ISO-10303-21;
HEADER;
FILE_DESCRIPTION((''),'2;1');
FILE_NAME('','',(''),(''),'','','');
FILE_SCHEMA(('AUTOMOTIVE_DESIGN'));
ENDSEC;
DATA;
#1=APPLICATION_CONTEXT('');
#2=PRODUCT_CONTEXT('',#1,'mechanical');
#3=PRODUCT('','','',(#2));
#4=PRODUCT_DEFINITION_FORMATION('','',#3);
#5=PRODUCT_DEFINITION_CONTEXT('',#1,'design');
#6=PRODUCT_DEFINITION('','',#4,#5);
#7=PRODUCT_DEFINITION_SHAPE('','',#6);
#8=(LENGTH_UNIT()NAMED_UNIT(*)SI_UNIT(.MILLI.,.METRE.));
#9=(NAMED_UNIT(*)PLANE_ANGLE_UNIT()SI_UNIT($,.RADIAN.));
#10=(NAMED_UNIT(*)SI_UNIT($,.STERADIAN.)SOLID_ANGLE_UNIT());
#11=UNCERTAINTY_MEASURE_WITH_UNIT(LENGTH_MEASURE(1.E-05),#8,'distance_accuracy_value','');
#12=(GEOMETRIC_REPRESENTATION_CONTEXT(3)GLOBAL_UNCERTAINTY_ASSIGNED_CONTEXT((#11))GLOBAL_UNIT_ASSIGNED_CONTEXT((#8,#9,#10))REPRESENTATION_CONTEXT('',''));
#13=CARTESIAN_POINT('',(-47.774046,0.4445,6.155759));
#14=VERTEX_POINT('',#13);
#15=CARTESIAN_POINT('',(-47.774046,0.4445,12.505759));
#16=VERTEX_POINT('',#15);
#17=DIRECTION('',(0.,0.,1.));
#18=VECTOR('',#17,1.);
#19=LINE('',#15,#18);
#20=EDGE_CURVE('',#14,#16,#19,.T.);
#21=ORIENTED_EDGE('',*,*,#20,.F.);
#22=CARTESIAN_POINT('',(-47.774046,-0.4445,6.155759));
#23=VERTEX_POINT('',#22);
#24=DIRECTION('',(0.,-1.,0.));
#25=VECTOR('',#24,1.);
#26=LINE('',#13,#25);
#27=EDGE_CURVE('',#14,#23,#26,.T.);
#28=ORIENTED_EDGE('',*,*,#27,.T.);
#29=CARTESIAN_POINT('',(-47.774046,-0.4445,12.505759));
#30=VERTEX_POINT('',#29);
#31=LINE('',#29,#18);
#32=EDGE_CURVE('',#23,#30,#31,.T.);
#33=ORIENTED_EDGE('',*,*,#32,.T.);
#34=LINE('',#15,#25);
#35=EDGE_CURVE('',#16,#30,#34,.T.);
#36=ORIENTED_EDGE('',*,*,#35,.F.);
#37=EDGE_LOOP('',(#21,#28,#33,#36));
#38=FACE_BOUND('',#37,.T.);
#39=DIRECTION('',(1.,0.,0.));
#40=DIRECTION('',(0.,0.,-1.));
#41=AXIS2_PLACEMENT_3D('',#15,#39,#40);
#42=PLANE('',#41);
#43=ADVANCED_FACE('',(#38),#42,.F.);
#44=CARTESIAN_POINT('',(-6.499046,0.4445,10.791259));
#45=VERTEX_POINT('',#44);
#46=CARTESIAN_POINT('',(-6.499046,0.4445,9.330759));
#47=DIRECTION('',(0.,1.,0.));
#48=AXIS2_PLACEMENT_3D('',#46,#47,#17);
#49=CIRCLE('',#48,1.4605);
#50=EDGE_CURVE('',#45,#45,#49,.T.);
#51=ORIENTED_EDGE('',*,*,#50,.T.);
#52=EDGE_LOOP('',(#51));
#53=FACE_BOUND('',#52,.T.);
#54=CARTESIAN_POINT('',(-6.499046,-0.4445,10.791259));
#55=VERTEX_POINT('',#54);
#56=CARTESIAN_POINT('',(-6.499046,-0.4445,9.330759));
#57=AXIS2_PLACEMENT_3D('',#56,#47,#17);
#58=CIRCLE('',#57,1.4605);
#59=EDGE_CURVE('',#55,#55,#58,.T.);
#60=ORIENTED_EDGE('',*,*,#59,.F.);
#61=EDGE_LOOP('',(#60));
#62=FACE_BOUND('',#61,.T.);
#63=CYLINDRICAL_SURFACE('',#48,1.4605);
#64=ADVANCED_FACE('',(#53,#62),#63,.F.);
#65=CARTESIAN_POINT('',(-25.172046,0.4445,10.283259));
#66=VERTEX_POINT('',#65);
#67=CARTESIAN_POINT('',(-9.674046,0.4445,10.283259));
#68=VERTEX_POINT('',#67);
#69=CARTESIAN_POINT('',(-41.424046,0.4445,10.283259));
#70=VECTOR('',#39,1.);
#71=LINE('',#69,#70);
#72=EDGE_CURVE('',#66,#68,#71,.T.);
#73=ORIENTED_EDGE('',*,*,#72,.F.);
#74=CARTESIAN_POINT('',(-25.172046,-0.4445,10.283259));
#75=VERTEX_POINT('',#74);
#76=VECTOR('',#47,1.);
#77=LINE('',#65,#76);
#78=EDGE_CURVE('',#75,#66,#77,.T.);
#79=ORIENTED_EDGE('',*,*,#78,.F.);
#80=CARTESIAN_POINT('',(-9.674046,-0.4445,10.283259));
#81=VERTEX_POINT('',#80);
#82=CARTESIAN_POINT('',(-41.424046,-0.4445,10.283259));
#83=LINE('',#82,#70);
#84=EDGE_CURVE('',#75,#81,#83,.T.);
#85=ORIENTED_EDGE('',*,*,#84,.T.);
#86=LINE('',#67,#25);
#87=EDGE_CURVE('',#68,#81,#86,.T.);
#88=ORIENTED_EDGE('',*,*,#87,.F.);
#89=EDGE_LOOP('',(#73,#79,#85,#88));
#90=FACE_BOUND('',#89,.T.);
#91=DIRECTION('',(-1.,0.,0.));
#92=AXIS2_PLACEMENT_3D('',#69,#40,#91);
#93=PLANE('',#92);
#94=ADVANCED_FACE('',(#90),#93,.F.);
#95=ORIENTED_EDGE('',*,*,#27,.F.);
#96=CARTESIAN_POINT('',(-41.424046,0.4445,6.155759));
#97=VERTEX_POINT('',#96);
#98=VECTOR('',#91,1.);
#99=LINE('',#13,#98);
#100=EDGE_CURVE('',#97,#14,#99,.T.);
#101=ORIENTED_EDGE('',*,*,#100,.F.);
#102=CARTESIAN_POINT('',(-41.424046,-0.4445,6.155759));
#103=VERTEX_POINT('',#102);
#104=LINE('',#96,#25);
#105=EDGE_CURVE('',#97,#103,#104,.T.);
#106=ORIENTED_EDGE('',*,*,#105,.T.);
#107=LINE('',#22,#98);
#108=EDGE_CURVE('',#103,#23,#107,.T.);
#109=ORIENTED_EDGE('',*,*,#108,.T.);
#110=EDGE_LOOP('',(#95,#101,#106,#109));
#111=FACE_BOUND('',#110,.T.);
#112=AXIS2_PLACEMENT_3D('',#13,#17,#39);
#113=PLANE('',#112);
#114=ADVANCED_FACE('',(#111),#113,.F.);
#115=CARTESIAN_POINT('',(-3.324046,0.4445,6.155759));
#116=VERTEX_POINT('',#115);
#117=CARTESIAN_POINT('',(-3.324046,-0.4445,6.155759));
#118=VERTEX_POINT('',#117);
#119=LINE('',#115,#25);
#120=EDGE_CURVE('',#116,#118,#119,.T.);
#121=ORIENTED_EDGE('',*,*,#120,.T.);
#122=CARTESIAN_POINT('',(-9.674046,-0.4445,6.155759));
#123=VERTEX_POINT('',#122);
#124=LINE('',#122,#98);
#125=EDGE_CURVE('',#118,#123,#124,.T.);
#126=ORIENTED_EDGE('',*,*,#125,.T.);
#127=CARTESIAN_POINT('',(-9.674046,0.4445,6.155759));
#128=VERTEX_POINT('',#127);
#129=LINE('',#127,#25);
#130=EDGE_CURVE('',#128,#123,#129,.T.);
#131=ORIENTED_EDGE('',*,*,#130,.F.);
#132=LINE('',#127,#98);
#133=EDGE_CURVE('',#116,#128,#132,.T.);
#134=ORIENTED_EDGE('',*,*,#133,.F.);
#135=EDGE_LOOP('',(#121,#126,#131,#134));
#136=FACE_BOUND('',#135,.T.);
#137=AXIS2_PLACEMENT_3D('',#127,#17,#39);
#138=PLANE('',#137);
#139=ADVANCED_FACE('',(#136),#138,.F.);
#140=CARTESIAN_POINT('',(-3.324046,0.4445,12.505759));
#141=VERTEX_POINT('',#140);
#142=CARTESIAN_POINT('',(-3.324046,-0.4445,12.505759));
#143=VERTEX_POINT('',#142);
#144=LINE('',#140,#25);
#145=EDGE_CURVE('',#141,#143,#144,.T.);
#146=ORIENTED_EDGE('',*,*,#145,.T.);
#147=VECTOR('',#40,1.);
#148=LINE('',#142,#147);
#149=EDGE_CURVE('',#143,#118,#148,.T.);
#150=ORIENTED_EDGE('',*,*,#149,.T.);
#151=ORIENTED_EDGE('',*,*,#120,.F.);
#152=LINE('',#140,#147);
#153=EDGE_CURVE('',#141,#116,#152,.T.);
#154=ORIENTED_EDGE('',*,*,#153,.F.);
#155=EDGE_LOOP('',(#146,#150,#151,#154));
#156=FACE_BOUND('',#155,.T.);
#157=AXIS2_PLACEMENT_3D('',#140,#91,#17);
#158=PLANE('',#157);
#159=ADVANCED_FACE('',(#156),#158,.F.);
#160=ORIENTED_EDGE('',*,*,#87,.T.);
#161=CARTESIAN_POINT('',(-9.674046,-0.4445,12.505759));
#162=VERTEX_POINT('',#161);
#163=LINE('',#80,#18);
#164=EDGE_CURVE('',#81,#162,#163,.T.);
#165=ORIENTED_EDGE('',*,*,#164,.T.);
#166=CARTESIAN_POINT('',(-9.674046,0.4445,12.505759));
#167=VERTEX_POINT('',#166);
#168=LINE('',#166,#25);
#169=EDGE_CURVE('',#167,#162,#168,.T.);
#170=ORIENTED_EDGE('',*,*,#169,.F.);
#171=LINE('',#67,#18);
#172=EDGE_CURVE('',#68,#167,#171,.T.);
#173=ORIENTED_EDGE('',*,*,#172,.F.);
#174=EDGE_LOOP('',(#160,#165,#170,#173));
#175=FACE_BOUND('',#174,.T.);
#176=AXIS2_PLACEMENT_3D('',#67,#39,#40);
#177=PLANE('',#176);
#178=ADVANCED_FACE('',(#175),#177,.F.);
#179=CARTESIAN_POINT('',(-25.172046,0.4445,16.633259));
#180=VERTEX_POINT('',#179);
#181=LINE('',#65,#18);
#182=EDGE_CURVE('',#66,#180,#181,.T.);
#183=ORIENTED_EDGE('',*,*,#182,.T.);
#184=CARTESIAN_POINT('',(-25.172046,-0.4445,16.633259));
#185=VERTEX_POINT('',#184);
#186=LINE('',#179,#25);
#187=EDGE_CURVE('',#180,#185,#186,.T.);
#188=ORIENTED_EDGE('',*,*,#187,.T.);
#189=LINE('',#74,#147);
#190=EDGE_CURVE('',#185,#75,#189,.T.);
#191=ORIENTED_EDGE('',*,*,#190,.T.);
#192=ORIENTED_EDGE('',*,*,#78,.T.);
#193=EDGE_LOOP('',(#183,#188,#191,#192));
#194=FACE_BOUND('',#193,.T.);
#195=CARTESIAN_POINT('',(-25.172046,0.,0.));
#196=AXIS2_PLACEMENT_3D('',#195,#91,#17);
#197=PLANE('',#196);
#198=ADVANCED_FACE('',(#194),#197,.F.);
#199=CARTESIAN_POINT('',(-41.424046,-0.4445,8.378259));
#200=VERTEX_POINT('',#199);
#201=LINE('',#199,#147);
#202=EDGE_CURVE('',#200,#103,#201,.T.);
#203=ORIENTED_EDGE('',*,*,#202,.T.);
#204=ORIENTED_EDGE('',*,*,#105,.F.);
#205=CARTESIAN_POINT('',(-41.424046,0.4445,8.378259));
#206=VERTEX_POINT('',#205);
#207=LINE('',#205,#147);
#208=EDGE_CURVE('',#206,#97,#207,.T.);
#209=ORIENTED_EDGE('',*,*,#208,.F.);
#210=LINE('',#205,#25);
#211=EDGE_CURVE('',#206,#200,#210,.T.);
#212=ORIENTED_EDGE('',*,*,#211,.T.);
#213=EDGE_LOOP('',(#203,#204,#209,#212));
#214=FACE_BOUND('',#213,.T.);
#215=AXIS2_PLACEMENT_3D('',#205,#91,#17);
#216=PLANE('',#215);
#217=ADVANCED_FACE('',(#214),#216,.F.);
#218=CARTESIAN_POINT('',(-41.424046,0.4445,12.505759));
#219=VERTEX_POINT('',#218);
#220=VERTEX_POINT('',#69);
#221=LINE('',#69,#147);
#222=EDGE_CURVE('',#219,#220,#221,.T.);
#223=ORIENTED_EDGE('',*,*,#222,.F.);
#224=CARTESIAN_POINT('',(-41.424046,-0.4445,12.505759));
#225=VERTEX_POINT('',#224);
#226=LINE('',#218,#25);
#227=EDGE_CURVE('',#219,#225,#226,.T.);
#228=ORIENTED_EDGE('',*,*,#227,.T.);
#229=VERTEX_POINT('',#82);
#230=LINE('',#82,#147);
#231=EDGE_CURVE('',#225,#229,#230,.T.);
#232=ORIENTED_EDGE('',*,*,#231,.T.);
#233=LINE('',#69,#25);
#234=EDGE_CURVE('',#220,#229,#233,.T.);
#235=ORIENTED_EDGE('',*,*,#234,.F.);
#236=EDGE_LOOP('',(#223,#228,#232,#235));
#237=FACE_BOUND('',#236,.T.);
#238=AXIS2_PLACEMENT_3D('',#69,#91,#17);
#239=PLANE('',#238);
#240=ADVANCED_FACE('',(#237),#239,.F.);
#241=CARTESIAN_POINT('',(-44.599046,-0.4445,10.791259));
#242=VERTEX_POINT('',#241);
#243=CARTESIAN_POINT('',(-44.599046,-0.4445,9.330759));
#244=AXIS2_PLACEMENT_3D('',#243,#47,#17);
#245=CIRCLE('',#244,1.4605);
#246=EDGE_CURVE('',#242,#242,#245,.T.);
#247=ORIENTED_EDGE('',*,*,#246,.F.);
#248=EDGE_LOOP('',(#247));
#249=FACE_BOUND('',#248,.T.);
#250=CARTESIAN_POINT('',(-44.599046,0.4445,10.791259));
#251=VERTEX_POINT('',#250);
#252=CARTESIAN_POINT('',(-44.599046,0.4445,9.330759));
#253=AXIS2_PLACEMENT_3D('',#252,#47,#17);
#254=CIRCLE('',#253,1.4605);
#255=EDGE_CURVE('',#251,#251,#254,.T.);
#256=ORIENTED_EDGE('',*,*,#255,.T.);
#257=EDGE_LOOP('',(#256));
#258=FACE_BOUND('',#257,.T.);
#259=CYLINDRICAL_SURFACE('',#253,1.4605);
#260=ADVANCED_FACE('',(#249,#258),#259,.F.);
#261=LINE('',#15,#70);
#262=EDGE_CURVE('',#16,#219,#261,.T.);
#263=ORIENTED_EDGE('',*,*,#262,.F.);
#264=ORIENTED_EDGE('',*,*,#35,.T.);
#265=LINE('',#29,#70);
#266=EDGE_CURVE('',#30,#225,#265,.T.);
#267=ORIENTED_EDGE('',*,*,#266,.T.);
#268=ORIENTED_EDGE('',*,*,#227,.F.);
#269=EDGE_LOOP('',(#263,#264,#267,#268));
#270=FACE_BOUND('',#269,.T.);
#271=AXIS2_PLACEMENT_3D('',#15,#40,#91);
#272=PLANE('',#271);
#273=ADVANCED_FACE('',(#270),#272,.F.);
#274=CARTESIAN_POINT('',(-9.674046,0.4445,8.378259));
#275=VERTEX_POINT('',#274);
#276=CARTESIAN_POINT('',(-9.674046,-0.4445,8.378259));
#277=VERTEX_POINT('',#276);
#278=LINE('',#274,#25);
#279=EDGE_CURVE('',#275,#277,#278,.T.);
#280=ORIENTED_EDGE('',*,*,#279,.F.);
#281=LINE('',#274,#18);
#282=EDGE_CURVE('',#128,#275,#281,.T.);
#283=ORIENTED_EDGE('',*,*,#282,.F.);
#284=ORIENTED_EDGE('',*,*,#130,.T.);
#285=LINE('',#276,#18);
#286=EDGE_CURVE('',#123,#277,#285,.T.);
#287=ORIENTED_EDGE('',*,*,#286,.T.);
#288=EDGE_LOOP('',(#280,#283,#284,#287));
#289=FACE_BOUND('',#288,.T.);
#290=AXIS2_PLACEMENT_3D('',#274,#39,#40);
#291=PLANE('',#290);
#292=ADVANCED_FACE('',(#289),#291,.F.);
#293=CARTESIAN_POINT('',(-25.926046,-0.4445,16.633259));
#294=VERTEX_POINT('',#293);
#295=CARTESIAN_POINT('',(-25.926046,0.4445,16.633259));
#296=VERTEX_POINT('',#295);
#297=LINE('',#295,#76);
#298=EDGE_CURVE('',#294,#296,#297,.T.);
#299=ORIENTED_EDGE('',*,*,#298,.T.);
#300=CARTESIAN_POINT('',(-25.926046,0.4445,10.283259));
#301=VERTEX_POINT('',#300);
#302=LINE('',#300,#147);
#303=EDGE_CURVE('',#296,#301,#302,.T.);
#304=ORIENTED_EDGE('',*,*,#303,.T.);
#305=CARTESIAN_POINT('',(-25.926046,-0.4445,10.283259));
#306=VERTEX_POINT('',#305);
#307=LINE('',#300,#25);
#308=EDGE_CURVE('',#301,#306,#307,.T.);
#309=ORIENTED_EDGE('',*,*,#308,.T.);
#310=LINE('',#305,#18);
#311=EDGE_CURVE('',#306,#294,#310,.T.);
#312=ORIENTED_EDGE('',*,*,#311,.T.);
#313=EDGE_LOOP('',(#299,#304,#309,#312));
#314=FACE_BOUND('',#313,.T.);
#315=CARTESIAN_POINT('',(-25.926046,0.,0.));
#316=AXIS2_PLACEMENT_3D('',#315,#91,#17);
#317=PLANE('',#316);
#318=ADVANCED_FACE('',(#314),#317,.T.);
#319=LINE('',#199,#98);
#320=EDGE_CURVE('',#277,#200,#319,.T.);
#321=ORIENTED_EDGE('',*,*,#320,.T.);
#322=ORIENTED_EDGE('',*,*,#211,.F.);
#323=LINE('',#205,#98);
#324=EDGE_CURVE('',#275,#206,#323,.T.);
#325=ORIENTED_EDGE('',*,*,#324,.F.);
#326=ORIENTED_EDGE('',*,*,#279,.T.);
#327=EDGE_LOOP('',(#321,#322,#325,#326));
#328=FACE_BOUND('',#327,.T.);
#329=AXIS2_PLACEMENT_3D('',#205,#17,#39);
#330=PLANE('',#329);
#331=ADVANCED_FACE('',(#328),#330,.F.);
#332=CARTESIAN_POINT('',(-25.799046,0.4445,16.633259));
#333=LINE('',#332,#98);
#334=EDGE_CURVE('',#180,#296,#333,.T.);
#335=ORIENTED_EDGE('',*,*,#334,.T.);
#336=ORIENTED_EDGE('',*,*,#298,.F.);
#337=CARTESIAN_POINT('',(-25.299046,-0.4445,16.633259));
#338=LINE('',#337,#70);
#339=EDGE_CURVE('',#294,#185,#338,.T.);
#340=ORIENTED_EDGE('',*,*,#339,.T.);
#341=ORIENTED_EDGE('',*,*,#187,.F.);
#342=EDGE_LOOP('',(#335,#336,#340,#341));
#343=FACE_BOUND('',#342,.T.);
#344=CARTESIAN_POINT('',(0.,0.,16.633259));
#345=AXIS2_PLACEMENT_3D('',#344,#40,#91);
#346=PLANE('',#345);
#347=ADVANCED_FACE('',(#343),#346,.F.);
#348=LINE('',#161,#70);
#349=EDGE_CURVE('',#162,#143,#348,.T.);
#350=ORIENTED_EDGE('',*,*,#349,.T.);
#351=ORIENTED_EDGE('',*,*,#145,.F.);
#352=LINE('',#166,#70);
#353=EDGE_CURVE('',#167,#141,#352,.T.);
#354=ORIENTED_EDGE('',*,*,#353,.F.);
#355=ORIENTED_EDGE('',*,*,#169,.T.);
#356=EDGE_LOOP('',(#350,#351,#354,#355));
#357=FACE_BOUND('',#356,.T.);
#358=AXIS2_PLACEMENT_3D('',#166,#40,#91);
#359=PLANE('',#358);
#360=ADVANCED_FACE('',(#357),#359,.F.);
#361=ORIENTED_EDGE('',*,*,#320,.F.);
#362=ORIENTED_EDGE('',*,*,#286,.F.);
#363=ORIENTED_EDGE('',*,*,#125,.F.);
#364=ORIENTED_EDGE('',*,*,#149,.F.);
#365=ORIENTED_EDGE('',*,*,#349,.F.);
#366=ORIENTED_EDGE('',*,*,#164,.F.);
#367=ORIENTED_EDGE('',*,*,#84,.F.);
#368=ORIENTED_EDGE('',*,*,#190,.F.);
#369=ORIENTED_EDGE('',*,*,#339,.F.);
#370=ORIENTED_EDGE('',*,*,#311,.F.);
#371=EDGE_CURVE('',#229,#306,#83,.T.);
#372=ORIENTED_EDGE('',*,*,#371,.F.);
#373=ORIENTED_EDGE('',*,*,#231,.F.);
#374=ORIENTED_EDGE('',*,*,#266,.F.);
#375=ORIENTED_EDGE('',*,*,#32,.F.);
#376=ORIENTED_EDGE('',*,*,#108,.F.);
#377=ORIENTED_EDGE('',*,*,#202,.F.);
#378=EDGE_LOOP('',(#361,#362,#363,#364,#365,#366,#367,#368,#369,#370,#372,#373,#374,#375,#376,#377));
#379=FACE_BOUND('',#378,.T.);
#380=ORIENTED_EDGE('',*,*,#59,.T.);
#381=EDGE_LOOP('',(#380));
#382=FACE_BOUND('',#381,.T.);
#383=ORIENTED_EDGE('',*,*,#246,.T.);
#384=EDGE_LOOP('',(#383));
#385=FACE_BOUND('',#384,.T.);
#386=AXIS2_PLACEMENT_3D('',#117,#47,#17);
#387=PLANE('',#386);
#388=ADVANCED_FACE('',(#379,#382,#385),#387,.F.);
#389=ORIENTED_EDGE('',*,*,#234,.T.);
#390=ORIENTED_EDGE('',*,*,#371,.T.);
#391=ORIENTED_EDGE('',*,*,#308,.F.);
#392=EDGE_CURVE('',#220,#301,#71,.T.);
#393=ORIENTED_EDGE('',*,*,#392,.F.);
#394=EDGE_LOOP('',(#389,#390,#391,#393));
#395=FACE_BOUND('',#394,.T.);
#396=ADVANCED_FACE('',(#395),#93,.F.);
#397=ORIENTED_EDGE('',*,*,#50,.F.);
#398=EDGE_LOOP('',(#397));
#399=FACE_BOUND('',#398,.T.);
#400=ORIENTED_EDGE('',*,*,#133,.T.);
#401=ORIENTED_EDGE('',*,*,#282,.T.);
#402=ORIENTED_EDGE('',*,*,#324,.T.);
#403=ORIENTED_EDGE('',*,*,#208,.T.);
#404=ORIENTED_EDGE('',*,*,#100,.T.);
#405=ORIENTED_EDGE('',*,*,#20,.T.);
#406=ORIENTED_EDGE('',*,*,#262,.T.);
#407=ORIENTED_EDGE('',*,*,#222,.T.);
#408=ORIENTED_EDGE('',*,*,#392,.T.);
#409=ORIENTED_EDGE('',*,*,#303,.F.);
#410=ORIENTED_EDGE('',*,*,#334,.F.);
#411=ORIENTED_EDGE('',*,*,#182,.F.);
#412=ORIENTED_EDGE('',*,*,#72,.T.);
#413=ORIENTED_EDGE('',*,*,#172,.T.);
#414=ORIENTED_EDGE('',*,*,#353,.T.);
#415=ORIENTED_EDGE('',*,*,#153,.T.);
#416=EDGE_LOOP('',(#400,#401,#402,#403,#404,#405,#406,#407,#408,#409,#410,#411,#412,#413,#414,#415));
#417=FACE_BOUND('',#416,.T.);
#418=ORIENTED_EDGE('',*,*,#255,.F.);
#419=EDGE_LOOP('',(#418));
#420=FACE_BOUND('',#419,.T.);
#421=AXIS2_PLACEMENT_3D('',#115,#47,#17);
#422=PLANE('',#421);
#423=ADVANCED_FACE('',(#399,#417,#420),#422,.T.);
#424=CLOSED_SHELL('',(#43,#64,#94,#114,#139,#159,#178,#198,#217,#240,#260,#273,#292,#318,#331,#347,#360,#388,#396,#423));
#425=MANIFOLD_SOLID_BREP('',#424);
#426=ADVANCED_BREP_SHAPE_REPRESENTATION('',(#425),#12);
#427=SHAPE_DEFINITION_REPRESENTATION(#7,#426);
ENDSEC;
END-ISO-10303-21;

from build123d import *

# Parameters (mm, degrees)
BOSS_EXTRUDE1_DEPTH          = 0.4445
F_97_0_0059_DIAMETER_HOLE1_D = 2.921
SKETCH7_W                    = 0.500000016
SKETCH7_H                    = 0.889
BOSS_EXTRUDE2_DEPTH          = 6.35
SKETCH11_W                   = 6.35
SKETCH11_H                   = 0.889
BOSS_EXTRUDE3_DEPTH          = 0.127
SKETCH12_W                   = 6.35
SKETCH12_H                   = 0.889
BOSS_EXTRUDE4_DEPTH          = 0.127


with BuildPart() as part:
    # Sketch1 → Boss-Extrude1 (new, symmetric)
    with BuildSketch(Plane(origin=(0, 0, 0), x_dir=(1, 0, 0), z_dir=(0, 1, 0))):
        Polygon((-41.424046485, -10.283259465), (-41.424046485, -12.505759465), (-47.774046485, -12.505759465), (-47.774046485, -6.155759465), (-41.424046485, -6.155759465), (-41.424046485, -8.378259465), (-9.674046485, -8.378259465), (-9.674046485, -6.155759465), (-3.324046485, -6.155759465), (-3.324046485, -12.505759465), (-9.674046485, -12.505759465), (-9.674046485, -10.283259465), align=None)
    extrude(amount=BOSS_EXTRUDE1_DEPTH, both=True)

    # #97 (0.0059) Diameter Hole1 (through all)
    with Locations(Plane(origin=(0, 0.4445, 0), x_dir=(-1, 0, 0), z_dir=(0, 1, 0))):
        with Locations((44.599046485, 9.330759465)):
            f_97_0_0059_diameter_hole1 = Hole(F_97_0_0059_DIAMETER_HOLE1_D / 2)

    # Mirror1: #97 (0.0059) Diameter Hole1 across plane
    add(f_97_0_0059_diameter_hole1.mirror(Plane(origin=(-25.549046485, 0, 0), x_dir=(0, 0, 1), z_dir=(1, 0, 0))), mode=Mode.SUBTRACT)

    # Sketch7 → Boss-Extrude2 (add)
    with BuildSketch(Plane.XY.offset(10.283259465)):
        with Locations((-25.549046485, 0)):
            Rectangle(SKETCH7_W, SKETCH7_H)
    extrude(amount=BOSS_EXTRUDE2_DEPTH)

    # Sketch11 → Boss-Extrude3 (add)
    with BuildSketch(Plane.ZY.offset(25.799046493)):
        with Locations((13.458259465, 0)):
            Rectangle(SKETCH11_W, SKETCH11_H)
    extrude(amount=BOSS_EXTRUDE3_DEPTH)

    # Sketch12 → Boss-Extrude4 (add)
    with BuildSketch(Plane(origin=(-25.299046477, 0, 0), x_dir=(0, 0, -1), z_dir=(1, 0, 0))):
        with Locations((-13.458259465, 0)):
            Rectangle(SKETCH12_W, SKETCH12_H)
    extrude(amount=BOSS_EXTRUDE4_DEPTH)


solid = part.part
